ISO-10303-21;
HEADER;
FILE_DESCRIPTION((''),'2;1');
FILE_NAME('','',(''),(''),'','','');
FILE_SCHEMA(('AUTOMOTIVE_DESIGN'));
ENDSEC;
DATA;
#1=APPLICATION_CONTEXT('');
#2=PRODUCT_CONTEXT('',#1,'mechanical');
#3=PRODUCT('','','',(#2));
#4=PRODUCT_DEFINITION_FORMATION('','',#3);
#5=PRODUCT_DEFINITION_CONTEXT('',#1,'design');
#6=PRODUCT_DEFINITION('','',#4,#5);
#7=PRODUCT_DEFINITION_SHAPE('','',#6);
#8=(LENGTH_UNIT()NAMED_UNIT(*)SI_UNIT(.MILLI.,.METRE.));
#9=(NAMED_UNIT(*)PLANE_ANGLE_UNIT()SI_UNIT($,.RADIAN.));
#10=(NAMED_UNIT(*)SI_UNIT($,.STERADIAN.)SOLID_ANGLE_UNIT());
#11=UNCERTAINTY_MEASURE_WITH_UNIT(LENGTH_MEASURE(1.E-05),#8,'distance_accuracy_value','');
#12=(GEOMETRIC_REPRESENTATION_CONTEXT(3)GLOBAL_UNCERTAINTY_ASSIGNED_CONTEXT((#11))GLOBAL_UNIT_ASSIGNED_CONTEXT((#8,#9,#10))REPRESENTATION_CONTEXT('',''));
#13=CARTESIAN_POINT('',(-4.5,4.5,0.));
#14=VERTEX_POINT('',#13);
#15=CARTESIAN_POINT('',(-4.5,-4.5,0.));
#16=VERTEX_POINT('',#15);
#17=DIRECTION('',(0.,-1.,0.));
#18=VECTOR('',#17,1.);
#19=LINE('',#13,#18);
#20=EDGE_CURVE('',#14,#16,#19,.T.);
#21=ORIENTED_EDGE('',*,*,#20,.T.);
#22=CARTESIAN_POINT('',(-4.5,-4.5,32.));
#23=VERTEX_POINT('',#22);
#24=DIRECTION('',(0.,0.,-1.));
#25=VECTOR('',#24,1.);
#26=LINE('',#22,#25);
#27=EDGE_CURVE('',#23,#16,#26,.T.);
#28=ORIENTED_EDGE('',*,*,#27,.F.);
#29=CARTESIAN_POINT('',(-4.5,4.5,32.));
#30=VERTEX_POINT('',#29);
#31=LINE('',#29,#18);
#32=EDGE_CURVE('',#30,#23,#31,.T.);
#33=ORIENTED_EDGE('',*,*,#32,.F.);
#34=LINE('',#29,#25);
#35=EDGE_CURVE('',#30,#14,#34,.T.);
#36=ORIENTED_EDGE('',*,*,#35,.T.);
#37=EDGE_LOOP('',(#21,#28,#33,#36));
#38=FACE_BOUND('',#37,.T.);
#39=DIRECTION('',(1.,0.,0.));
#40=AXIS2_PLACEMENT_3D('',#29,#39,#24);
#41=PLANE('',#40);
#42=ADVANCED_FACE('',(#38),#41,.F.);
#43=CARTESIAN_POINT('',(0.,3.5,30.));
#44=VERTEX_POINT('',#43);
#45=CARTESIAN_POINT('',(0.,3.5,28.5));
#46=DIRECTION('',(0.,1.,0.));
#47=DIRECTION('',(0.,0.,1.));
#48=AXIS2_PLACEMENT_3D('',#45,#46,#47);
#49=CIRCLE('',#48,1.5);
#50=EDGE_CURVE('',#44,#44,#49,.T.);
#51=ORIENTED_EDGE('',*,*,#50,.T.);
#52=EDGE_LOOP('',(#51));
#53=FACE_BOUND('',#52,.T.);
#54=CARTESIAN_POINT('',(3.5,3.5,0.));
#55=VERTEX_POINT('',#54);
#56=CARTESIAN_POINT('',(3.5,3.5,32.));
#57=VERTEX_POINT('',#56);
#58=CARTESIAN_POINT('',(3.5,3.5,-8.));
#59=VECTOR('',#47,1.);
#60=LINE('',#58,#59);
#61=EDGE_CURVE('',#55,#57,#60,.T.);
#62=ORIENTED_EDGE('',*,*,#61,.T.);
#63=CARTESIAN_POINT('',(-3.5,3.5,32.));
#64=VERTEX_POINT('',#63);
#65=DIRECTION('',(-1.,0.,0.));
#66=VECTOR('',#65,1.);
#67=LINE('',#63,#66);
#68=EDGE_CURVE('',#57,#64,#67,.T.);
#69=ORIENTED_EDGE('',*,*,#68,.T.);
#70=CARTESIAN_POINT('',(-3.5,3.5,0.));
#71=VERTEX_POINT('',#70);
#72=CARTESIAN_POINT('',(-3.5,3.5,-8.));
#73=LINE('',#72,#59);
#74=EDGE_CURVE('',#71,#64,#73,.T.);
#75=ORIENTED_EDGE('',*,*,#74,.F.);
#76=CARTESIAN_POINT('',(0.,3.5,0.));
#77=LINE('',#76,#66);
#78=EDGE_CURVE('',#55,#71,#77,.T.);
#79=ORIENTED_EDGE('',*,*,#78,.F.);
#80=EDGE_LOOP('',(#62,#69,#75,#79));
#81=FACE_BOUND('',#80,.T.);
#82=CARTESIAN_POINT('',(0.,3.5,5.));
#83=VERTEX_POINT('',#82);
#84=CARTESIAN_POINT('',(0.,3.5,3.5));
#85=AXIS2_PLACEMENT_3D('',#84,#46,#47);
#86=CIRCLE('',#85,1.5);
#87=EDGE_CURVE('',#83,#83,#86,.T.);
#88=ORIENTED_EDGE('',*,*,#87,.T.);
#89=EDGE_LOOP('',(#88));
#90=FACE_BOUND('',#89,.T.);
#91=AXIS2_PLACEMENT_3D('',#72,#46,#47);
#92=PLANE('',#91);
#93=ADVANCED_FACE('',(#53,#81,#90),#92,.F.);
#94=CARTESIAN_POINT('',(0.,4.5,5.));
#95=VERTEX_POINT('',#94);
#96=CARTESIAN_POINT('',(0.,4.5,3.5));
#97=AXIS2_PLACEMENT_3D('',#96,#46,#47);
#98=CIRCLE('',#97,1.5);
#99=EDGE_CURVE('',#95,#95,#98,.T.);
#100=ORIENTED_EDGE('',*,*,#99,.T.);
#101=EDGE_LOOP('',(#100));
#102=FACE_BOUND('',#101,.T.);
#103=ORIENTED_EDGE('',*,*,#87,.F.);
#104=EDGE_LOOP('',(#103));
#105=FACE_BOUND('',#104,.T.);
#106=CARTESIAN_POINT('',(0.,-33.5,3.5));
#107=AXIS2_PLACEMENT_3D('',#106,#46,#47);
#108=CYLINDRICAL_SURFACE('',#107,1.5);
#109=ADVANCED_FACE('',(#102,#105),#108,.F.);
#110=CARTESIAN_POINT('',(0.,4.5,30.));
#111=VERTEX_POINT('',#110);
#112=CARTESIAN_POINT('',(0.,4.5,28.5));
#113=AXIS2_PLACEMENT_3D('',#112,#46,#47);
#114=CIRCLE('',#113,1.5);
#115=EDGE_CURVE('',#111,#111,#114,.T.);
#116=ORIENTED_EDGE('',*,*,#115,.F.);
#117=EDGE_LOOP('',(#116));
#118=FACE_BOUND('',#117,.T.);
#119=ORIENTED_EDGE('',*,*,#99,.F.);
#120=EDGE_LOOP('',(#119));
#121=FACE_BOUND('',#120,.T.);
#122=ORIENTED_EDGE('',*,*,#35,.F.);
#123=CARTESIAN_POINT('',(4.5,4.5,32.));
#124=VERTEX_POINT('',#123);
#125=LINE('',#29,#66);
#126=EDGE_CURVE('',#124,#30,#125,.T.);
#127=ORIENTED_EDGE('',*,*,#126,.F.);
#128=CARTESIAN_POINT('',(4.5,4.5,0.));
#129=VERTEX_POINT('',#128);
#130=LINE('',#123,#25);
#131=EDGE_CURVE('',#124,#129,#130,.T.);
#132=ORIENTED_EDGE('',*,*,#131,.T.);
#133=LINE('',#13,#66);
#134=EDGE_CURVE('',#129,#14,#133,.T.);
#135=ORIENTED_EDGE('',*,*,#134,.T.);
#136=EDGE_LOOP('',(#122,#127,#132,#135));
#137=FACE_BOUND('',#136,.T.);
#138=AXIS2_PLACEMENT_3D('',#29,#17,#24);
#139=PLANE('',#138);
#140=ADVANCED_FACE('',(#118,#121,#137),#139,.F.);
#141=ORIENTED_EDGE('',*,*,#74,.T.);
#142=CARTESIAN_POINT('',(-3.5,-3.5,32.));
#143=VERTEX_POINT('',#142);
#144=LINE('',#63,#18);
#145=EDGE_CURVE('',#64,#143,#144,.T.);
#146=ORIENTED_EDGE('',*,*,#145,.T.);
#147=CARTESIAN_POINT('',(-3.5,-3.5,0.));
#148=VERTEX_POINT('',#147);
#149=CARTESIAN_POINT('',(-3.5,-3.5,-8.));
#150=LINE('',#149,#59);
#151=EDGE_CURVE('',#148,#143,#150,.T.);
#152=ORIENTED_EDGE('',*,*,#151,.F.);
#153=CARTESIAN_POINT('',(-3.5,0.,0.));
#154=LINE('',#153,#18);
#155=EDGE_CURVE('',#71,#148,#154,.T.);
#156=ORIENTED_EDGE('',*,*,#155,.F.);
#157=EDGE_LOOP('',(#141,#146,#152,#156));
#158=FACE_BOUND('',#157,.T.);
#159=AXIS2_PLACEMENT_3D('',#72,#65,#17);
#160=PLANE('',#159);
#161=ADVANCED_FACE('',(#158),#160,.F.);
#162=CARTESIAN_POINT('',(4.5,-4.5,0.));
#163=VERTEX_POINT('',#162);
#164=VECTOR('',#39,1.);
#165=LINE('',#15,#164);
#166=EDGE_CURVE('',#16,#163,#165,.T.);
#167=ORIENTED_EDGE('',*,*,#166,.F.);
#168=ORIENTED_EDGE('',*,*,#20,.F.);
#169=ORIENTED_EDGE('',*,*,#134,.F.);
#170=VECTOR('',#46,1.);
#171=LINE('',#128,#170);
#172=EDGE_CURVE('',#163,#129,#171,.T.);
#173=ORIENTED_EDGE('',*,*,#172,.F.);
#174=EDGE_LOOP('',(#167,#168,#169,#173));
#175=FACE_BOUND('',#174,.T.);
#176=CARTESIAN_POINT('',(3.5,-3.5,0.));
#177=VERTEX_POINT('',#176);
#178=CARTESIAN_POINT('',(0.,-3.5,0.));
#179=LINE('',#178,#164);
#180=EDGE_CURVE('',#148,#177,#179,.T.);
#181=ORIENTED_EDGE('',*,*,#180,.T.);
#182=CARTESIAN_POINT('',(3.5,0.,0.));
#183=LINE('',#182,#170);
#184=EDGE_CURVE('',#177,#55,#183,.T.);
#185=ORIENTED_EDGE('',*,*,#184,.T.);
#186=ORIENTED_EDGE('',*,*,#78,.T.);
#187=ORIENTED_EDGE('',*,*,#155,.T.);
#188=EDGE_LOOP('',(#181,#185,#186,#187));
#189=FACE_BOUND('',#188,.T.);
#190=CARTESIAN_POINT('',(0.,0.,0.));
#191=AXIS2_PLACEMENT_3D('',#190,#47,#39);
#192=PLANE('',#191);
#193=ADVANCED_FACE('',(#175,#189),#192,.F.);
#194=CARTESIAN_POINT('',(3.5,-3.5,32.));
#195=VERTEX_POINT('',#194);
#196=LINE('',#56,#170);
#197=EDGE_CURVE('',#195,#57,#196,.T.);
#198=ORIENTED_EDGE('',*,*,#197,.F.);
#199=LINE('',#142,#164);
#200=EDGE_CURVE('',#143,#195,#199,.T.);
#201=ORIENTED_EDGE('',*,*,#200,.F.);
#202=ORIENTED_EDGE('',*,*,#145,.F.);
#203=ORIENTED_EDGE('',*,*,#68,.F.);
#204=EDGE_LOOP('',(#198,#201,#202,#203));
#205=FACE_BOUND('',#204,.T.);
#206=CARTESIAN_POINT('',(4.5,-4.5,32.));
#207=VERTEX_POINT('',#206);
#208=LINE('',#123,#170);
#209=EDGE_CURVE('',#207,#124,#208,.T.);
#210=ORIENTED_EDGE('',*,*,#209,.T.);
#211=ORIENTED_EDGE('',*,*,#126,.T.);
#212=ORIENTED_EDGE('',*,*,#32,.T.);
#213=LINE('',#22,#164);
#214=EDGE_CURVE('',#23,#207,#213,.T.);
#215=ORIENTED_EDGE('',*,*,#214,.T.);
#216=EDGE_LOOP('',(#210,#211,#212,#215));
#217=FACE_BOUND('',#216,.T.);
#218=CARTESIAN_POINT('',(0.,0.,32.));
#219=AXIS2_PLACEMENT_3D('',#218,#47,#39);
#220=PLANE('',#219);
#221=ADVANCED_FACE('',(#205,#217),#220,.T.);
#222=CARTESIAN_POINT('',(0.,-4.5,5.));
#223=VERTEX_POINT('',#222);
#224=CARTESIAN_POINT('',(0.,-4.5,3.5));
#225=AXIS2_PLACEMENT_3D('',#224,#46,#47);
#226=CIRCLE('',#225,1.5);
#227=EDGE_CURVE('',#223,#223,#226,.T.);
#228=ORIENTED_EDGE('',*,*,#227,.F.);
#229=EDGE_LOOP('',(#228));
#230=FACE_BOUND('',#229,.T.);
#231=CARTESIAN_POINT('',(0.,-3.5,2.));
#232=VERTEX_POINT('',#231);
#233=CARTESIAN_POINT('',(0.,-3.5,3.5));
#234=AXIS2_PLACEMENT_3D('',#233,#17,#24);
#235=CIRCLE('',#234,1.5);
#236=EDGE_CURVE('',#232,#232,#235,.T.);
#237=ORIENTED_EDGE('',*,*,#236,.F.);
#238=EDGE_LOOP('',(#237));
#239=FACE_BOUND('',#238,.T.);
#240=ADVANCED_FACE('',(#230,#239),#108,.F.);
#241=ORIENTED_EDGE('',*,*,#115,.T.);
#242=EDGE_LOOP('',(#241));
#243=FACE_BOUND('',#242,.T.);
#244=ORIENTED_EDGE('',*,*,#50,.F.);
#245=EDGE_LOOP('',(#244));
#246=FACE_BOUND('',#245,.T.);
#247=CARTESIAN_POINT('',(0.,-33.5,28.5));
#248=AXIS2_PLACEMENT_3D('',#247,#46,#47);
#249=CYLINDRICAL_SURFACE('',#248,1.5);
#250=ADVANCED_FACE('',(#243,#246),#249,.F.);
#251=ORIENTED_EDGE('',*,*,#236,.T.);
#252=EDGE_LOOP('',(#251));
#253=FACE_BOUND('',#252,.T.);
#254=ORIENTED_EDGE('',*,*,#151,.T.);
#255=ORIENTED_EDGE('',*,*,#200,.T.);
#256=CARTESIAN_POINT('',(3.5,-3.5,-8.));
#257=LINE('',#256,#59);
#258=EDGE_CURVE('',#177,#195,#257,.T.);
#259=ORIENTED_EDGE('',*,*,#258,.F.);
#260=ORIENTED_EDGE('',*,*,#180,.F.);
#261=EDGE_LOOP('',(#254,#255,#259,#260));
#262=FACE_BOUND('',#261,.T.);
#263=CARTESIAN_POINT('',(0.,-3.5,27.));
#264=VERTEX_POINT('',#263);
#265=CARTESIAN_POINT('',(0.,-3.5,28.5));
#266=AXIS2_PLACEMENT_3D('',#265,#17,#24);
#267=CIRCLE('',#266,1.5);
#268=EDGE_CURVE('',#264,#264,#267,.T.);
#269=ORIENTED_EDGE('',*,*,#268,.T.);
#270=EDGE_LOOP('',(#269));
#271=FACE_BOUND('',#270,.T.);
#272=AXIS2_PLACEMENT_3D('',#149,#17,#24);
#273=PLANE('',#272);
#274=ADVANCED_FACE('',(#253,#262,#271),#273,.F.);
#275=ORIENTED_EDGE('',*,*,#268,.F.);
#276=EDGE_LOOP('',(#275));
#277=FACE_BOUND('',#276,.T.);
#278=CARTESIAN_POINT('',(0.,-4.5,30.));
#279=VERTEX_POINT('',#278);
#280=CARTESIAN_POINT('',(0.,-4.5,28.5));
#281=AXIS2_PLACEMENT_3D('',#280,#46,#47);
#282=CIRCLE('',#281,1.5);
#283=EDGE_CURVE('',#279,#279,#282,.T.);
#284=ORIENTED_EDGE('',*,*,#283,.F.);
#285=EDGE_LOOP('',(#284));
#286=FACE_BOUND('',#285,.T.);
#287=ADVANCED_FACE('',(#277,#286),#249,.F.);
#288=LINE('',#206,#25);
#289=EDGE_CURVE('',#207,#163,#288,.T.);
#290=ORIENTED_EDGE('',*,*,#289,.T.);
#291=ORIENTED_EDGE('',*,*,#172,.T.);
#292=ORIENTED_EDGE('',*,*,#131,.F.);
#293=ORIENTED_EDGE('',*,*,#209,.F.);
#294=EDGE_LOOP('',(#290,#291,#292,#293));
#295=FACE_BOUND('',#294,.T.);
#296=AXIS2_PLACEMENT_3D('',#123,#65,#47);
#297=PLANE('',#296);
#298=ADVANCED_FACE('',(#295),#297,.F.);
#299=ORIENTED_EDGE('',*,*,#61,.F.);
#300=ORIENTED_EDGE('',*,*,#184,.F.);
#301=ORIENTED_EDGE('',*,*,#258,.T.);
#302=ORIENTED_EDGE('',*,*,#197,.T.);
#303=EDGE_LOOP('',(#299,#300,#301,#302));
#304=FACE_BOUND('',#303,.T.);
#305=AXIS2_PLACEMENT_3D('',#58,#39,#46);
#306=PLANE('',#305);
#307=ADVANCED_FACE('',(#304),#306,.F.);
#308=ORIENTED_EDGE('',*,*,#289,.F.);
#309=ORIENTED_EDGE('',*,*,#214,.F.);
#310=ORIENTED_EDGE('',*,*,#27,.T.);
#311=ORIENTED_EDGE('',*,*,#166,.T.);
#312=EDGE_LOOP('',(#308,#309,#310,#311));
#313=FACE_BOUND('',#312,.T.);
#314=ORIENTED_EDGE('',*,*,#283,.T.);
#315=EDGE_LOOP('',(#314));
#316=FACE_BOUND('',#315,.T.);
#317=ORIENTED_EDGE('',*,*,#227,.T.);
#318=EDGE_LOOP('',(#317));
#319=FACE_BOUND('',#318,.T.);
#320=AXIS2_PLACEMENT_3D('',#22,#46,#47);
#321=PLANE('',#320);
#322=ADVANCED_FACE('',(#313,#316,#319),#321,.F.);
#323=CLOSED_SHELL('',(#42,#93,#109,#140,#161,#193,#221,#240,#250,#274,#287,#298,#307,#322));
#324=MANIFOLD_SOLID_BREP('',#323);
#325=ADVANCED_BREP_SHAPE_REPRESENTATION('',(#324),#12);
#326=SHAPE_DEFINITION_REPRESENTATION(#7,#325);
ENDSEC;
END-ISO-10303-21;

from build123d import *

# Parameters (mm, degrees)
SKETCH_1_W          = 9
SKETCH_1_H          = 9
EXTRUDE_1_DEPTH     = 32
SKETCH_2_W          = 7
SKETCH_2_H          = 7
CUT_EXTRUDE_1_DEPTH = 40
SKETCH_3_R          = 1.5
CUT_EXTRUDE_2_DEPTH = 38


with BuildPart() as part:
    # ｽｹｯﾁ1 → ﾎﾞｽ - 押し出し1 (new body)
    with BuildSketch(Plane.XY):
        Rectangle(SKETCH_1_W, SKETCH_1_H)
    extrude(amount=EXTRUDE_1_DEPTH)

    # ｽｹｯﾁ2 → ｶｯﾄ - 押し出し1 (cut)
    with BuildSketch(Plane.XY.offset(32)):
        Rectangle(SKETCH_2_W, SKETCH_2_H)
    extrude(amount=-CUT_EXTRUDE_1_DEPTH, mode=Mode.SUBTRACT)

    # ｽｹｯﾁ3 → ｶｯﾄ - 押し出し2 (cut)
    with BuildSketch(Plane(origin=(0, 4.5, 0), x_dir=(1, 0, 0), z_dir=(0, 1, 0))):
        with Locations((0, -3.5)):
            Circle(SKETCH_3_R)
        with Locations((0, -28.5)):
            Circle(SKETCH_3_R)
    extrude(amount=-CUT_EXTRUDE_2_DEPTH, mode=Mode.SUBTRACT)


solid = part.part
